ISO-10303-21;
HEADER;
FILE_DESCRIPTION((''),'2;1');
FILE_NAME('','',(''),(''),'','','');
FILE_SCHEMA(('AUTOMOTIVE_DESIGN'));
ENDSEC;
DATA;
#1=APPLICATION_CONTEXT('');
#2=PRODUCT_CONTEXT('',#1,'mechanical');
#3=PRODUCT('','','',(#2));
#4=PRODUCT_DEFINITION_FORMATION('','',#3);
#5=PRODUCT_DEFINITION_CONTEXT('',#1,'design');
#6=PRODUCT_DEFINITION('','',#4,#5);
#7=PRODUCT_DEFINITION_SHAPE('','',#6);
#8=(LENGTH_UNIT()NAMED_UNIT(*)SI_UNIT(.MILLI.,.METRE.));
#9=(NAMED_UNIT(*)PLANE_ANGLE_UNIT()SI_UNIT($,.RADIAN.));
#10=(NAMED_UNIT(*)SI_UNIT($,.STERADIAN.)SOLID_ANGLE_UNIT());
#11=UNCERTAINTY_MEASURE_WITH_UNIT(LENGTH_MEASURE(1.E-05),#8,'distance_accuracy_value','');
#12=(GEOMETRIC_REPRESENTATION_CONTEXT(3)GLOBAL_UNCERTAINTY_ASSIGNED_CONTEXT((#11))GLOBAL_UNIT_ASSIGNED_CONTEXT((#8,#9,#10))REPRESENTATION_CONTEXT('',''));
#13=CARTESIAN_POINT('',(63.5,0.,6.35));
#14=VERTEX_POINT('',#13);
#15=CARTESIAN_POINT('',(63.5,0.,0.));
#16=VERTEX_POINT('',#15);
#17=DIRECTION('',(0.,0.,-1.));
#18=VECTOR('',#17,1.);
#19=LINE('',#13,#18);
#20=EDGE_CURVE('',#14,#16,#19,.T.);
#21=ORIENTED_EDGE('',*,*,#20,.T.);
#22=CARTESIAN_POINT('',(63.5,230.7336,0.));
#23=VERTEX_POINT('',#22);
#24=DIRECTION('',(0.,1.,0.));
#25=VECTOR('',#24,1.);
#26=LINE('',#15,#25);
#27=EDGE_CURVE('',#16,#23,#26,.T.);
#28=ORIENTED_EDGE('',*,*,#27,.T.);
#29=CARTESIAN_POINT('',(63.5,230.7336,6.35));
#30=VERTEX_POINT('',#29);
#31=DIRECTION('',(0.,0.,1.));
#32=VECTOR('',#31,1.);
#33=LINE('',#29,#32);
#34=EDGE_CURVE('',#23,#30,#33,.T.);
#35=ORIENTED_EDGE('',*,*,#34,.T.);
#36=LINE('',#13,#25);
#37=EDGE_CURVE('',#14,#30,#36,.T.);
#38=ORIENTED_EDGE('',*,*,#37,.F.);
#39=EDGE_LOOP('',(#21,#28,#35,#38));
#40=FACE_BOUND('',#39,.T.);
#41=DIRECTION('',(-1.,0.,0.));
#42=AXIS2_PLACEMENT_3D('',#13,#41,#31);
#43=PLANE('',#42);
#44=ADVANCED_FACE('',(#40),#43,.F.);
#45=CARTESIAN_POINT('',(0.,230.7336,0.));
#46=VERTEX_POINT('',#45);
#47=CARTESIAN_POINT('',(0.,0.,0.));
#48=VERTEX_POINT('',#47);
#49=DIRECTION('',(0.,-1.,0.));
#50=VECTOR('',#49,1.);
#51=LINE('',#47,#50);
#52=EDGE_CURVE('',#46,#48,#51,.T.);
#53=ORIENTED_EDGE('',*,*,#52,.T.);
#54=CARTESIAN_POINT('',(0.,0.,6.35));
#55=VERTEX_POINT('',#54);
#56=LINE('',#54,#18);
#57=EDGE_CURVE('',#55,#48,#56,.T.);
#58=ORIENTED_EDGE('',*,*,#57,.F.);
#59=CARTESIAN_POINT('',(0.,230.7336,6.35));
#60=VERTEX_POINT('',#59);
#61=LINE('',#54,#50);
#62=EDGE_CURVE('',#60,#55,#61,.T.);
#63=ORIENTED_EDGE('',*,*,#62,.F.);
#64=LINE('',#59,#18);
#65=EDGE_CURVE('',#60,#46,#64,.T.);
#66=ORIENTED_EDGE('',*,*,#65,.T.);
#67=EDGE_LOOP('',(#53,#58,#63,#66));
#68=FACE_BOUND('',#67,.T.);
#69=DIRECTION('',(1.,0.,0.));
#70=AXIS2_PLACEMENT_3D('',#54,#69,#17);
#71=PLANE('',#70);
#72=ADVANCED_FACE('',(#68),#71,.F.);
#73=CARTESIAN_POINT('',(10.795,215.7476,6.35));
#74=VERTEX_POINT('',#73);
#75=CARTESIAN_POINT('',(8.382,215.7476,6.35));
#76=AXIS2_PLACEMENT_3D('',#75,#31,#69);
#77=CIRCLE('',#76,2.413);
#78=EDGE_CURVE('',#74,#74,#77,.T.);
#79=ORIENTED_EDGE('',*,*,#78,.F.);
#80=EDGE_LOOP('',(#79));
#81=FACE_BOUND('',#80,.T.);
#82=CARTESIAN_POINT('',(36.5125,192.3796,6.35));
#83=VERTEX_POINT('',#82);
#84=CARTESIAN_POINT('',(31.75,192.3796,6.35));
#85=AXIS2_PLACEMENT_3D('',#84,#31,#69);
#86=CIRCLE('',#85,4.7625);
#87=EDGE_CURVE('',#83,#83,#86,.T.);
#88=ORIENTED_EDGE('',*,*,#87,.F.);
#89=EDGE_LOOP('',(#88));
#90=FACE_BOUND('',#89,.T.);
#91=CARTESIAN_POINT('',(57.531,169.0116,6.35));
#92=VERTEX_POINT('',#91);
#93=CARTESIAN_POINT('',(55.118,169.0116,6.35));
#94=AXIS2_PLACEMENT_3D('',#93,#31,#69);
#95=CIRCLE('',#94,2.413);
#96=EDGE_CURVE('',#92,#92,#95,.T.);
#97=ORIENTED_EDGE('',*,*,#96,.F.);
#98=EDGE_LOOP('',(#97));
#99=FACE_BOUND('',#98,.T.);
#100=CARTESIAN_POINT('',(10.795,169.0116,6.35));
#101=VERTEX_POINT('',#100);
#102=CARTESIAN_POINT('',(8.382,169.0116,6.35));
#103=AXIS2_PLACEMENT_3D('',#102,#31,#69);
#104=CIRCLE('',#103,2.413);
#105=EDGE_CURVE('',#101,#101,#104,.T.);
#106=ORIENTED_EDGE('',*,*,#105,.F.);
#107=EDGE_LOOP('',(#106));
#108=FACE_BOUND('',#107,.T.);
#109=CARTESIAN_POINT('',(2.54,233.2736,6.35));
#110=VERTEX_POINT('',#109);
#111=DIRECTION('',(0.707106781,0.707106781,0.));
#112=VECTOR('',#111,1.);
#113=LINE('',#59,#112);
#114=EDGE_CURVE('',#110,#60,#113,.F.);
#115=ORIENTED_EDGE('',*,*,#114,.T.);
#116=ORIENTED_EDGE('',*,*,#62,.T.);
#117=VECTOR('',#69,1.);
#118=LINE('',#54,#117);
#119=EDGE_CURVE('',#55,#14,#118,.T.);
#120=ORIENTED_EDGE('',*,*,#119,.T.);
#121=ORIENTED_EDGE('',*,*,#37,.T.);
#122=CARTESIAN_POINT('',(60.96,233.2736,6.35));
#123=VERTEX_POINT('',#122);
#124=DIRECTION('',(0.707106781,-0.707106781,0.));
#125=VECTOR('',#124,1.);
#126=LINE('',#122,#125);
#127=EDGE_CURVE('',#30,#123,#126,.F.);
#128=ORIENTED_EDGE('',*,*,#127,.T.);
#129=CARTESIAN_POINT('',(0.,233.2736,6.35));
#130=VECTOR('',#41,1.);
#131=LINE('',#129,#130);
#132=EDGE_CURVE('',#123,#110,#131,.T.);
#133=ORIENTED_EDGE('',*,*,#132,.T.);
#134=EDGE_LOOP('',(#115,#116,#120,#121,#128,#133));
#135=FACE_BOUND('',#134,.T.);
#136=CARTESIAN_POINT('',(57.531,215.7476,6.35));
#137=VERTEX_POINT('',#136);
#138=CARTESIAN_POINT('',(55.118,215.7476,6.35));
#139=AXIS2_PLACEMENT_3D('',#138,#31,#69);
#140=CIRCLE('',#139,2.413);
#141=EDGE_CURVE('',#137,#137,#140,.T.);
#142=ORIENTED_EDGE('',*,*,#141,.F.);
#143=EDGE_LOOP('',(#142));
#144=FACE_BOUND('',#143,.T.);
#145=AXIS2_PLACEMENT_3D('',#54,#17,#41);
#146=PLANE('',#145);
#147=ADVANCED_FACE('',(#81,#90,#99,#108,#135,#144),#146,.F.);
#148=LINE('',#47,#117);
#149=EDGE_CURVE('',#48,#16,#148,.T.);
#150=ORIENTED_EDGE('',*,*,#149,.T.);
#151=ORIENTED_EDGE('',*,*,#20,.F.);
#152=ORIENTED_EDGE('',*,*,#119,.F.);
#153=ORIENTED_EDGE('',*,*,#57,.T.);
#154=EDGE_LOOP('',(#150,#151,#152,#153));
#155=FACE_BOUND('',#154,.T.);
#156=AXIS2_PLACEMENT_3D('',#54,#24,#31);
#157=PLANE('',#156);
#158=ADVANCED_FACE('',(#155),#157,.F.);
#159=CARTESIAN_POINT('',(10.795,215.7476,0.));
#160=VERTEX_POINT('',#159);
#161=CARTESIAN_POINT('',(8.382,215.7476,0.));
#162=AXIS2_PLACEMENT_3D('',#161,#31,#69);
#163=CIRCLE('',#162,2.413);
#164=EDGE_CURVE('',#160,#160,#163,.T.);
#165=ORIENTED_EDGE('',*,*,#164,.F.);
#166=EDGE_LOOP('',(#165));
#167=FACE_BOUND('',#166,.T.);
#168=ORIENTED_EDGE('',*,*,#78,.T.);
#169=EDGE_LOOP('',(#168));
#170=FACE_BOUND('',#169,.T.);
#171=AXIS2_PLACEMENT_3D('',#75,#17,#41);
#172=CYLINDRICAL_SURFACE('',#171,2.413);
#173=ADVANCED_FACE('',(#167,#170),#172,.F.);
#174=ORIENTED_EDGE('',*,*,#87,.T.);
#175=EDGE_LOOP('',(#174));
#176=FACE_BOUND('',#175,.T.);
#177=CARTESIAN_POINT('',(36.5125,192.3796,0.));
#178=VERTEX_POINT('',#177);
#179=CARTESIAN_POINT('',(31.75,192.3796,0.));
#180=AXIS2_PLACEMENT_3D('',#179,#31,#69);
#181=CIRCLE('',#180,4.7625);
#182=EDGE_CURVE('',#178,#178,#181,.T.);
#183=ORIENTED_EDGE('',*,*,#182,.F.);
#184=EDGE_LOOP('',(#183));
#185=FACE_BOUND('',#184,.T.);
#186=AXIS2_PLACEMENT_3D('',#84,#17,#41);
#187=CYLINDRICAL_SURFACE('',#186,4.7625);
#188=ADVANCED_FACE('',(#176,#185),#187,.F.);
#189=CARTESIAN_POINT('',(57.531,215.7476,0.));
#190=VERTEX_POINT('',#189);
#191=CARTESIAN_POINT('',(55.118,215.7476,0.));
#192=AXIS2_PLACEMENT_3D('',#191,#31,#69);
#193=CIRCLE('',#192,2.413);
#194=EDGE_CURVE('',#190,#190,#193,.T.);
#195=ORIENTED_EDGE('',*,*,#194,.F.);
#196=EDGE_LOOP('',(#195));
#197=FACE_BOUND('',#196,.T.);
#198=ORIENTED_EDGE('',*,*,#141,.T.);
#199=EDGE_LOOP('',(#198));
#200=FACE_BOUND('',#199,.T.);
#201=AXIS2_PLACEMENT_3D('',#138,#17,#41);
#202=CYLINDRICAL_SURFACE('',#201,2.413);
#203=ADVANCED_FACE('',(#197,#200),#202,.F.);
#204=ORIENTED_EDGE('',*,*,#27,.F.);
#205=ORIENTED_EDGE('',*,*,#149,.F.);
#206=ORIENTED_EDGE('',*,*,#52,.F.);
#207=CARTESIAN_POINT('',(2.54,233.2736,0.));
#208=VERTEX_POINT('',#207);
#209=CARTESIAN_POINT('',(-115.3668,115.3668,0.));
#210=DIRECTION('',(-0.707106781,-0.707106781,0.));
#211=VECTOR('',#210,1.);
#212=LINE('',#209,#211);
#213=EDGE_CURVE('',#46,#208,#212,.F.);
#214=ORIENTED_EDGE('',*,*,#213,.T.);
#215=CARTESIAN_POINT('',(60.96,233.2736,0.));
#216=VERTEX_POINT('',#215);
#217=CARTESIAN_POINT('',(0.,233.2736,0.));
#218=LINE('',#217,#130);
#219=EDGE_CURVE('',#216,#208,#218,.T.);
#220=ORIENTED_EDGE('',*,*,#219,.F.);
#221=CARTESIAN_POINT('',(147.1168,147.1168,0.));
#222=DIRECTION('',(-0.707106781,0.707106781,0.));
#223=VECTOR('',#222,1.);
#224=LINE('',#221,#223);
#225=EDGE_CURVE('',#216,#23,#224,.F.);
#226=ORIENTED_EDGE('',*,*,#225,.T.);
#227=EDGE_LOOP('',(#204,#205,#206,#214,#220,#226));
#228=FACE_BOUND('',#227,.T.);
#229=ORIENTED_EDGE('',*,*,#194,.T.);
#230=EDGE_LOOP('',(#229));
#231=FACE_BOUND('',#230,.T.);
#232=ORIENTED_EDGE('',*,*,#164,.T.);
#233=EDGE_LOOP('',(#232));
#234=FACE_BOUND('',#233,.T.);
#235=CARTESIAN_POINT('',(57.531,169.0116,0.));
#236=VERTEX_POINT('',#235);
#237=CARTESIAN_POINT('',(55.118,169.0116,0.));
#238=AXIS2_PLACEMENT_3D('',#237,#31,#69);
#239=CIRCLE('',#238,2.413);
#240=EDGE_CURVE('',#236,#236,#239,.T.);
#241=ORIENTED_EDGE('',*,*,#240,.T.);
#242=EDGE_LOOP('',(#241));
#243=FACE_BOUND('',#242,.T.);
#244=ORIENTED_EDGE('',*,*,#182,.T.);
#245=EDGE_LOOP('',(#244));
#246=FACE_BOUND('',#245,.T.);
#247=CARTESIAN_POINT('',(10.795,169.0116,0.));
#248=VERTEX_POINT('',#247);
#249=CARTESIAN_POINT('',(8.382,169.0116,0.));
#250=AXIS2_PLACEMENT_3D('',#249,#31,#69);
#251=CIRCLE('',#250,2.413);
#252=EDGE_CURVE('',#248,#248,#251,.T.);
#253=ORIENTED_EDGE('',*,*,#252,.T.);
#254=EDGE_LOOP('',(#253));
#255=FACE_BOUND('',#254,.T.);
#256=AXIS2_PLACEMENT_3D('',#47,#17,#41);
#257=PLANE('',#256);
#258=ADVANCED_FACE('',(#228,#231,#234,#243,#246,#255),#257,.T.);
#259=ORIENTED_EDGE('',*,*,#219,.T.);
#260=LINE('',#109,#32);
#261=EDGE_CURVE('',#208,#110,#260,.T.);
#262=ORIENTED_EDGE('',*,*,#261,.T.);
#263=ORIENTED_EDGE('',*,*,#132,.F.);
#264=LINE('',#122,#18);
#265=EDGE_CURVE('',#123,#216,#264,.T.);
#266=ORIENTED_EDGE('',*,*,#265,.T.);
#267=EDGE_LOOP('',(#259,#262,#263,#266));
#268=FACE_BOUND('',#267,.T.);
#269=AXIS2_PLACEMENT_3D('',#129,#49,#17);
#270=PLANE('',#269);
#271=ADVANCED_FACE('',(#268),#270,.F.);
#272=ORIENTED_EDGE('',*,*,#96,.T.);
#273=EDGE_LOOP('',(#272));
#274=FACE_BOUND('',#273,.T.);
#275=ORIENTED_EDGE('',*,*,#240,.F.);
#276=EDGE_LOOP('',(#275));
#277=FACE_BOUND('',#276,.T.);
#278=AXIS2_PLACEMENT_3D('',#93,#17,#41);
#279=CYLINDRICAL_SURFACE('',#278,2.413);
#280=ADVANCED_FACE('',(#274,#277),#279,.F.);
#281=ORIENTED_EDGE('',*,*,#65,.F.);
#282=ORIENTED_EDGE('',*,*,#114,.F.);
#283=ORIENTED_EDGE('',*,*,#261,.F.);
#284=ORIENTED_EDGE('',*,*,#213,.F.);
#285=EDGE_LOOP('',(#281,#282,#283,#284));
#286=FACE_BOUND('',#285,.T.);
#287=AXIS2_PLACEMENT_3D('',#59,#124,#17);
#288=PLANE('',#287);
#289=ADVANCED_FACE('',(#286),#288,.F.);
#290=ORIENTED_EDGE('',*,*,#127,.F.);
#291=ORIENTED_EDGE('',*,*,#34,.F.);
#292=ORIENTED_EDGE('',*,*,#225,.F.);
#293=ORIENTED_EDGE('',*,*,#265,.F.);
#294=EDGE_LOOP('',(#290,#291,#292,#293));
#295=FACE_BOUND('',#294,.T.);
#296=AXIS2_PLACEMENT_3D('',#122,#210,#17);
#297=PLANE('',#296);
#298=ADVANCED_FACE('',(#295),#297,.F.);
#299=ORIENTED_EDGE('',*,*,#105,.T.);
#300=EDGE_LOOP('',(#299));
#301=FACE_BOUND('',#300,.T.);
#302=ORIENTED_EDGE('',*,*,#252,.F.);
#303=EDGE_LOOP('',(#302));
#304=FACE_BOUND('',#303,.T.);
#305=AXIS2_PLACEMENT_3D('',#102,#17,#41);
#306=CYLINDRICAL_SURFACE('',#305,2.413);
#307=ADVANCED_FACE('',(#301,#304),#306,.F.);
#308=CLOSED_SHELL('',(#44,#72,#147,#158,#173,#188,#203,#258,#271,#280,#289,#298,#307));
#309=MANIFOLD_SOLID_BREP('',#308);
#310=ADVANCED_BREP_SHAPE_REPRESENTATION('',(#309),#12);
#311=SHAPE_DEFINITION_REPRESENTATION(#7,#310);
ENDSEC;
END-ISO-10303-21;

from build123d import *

# Parameters (mm, degrees)
SKETCH1_W           = 63.5
SKETCH1_H           = 233.2736
SKETCH1_R           = 2.413
SKETCH1_R_2         = 4.7625
BOSS_EXTRUDE1_DEPTH = 6.35
CHAMFER1_SIZE       = 2.54


with BuildPart() as part:
    # Sketch1 → Boss-Extrude1 (new body)
    with BuildSketch(Plane.XY):
        with Locations((31.75, 116.6368)):
            Rectangle(SKETCH1_W, SKETCH1_H)
        with Locations((8.382, 215.7476)):
            Circle(SKETCH1_R, mode=Mode.SUBTRACT)
        with Locations((55.118, 215.7476)):
            Circle(SKETCH1_R, mode=Mode.SUBTRACT)
        with Locations((8.382, 169.0116)):
            Circle(SKETCH1_R, mode=Mode.SUBTRACT)
        with Locations((55.118, 169.0116)):
            Circle(SKETCH1_R, mode=Mode.SUBTRACT)
        with Locations((31.75, 192.3796)):
            Circle(SKETCH1_R_2, mode=Mode.SUBTRACT)
    extrude(amount=BOSS_EXTRUDE1_DEPTH)

    # Chamfer1
    chamfer1_edges = [part.edges().sort_by_distance(p)[0] for p in [
        (0, 233.2736, 3.175),
        (63.5, 233.2736, 3.175),
    ]]
    chamfer(chamfer1_edges, length=CHAMFER1_SIZE)


solid = part.part
